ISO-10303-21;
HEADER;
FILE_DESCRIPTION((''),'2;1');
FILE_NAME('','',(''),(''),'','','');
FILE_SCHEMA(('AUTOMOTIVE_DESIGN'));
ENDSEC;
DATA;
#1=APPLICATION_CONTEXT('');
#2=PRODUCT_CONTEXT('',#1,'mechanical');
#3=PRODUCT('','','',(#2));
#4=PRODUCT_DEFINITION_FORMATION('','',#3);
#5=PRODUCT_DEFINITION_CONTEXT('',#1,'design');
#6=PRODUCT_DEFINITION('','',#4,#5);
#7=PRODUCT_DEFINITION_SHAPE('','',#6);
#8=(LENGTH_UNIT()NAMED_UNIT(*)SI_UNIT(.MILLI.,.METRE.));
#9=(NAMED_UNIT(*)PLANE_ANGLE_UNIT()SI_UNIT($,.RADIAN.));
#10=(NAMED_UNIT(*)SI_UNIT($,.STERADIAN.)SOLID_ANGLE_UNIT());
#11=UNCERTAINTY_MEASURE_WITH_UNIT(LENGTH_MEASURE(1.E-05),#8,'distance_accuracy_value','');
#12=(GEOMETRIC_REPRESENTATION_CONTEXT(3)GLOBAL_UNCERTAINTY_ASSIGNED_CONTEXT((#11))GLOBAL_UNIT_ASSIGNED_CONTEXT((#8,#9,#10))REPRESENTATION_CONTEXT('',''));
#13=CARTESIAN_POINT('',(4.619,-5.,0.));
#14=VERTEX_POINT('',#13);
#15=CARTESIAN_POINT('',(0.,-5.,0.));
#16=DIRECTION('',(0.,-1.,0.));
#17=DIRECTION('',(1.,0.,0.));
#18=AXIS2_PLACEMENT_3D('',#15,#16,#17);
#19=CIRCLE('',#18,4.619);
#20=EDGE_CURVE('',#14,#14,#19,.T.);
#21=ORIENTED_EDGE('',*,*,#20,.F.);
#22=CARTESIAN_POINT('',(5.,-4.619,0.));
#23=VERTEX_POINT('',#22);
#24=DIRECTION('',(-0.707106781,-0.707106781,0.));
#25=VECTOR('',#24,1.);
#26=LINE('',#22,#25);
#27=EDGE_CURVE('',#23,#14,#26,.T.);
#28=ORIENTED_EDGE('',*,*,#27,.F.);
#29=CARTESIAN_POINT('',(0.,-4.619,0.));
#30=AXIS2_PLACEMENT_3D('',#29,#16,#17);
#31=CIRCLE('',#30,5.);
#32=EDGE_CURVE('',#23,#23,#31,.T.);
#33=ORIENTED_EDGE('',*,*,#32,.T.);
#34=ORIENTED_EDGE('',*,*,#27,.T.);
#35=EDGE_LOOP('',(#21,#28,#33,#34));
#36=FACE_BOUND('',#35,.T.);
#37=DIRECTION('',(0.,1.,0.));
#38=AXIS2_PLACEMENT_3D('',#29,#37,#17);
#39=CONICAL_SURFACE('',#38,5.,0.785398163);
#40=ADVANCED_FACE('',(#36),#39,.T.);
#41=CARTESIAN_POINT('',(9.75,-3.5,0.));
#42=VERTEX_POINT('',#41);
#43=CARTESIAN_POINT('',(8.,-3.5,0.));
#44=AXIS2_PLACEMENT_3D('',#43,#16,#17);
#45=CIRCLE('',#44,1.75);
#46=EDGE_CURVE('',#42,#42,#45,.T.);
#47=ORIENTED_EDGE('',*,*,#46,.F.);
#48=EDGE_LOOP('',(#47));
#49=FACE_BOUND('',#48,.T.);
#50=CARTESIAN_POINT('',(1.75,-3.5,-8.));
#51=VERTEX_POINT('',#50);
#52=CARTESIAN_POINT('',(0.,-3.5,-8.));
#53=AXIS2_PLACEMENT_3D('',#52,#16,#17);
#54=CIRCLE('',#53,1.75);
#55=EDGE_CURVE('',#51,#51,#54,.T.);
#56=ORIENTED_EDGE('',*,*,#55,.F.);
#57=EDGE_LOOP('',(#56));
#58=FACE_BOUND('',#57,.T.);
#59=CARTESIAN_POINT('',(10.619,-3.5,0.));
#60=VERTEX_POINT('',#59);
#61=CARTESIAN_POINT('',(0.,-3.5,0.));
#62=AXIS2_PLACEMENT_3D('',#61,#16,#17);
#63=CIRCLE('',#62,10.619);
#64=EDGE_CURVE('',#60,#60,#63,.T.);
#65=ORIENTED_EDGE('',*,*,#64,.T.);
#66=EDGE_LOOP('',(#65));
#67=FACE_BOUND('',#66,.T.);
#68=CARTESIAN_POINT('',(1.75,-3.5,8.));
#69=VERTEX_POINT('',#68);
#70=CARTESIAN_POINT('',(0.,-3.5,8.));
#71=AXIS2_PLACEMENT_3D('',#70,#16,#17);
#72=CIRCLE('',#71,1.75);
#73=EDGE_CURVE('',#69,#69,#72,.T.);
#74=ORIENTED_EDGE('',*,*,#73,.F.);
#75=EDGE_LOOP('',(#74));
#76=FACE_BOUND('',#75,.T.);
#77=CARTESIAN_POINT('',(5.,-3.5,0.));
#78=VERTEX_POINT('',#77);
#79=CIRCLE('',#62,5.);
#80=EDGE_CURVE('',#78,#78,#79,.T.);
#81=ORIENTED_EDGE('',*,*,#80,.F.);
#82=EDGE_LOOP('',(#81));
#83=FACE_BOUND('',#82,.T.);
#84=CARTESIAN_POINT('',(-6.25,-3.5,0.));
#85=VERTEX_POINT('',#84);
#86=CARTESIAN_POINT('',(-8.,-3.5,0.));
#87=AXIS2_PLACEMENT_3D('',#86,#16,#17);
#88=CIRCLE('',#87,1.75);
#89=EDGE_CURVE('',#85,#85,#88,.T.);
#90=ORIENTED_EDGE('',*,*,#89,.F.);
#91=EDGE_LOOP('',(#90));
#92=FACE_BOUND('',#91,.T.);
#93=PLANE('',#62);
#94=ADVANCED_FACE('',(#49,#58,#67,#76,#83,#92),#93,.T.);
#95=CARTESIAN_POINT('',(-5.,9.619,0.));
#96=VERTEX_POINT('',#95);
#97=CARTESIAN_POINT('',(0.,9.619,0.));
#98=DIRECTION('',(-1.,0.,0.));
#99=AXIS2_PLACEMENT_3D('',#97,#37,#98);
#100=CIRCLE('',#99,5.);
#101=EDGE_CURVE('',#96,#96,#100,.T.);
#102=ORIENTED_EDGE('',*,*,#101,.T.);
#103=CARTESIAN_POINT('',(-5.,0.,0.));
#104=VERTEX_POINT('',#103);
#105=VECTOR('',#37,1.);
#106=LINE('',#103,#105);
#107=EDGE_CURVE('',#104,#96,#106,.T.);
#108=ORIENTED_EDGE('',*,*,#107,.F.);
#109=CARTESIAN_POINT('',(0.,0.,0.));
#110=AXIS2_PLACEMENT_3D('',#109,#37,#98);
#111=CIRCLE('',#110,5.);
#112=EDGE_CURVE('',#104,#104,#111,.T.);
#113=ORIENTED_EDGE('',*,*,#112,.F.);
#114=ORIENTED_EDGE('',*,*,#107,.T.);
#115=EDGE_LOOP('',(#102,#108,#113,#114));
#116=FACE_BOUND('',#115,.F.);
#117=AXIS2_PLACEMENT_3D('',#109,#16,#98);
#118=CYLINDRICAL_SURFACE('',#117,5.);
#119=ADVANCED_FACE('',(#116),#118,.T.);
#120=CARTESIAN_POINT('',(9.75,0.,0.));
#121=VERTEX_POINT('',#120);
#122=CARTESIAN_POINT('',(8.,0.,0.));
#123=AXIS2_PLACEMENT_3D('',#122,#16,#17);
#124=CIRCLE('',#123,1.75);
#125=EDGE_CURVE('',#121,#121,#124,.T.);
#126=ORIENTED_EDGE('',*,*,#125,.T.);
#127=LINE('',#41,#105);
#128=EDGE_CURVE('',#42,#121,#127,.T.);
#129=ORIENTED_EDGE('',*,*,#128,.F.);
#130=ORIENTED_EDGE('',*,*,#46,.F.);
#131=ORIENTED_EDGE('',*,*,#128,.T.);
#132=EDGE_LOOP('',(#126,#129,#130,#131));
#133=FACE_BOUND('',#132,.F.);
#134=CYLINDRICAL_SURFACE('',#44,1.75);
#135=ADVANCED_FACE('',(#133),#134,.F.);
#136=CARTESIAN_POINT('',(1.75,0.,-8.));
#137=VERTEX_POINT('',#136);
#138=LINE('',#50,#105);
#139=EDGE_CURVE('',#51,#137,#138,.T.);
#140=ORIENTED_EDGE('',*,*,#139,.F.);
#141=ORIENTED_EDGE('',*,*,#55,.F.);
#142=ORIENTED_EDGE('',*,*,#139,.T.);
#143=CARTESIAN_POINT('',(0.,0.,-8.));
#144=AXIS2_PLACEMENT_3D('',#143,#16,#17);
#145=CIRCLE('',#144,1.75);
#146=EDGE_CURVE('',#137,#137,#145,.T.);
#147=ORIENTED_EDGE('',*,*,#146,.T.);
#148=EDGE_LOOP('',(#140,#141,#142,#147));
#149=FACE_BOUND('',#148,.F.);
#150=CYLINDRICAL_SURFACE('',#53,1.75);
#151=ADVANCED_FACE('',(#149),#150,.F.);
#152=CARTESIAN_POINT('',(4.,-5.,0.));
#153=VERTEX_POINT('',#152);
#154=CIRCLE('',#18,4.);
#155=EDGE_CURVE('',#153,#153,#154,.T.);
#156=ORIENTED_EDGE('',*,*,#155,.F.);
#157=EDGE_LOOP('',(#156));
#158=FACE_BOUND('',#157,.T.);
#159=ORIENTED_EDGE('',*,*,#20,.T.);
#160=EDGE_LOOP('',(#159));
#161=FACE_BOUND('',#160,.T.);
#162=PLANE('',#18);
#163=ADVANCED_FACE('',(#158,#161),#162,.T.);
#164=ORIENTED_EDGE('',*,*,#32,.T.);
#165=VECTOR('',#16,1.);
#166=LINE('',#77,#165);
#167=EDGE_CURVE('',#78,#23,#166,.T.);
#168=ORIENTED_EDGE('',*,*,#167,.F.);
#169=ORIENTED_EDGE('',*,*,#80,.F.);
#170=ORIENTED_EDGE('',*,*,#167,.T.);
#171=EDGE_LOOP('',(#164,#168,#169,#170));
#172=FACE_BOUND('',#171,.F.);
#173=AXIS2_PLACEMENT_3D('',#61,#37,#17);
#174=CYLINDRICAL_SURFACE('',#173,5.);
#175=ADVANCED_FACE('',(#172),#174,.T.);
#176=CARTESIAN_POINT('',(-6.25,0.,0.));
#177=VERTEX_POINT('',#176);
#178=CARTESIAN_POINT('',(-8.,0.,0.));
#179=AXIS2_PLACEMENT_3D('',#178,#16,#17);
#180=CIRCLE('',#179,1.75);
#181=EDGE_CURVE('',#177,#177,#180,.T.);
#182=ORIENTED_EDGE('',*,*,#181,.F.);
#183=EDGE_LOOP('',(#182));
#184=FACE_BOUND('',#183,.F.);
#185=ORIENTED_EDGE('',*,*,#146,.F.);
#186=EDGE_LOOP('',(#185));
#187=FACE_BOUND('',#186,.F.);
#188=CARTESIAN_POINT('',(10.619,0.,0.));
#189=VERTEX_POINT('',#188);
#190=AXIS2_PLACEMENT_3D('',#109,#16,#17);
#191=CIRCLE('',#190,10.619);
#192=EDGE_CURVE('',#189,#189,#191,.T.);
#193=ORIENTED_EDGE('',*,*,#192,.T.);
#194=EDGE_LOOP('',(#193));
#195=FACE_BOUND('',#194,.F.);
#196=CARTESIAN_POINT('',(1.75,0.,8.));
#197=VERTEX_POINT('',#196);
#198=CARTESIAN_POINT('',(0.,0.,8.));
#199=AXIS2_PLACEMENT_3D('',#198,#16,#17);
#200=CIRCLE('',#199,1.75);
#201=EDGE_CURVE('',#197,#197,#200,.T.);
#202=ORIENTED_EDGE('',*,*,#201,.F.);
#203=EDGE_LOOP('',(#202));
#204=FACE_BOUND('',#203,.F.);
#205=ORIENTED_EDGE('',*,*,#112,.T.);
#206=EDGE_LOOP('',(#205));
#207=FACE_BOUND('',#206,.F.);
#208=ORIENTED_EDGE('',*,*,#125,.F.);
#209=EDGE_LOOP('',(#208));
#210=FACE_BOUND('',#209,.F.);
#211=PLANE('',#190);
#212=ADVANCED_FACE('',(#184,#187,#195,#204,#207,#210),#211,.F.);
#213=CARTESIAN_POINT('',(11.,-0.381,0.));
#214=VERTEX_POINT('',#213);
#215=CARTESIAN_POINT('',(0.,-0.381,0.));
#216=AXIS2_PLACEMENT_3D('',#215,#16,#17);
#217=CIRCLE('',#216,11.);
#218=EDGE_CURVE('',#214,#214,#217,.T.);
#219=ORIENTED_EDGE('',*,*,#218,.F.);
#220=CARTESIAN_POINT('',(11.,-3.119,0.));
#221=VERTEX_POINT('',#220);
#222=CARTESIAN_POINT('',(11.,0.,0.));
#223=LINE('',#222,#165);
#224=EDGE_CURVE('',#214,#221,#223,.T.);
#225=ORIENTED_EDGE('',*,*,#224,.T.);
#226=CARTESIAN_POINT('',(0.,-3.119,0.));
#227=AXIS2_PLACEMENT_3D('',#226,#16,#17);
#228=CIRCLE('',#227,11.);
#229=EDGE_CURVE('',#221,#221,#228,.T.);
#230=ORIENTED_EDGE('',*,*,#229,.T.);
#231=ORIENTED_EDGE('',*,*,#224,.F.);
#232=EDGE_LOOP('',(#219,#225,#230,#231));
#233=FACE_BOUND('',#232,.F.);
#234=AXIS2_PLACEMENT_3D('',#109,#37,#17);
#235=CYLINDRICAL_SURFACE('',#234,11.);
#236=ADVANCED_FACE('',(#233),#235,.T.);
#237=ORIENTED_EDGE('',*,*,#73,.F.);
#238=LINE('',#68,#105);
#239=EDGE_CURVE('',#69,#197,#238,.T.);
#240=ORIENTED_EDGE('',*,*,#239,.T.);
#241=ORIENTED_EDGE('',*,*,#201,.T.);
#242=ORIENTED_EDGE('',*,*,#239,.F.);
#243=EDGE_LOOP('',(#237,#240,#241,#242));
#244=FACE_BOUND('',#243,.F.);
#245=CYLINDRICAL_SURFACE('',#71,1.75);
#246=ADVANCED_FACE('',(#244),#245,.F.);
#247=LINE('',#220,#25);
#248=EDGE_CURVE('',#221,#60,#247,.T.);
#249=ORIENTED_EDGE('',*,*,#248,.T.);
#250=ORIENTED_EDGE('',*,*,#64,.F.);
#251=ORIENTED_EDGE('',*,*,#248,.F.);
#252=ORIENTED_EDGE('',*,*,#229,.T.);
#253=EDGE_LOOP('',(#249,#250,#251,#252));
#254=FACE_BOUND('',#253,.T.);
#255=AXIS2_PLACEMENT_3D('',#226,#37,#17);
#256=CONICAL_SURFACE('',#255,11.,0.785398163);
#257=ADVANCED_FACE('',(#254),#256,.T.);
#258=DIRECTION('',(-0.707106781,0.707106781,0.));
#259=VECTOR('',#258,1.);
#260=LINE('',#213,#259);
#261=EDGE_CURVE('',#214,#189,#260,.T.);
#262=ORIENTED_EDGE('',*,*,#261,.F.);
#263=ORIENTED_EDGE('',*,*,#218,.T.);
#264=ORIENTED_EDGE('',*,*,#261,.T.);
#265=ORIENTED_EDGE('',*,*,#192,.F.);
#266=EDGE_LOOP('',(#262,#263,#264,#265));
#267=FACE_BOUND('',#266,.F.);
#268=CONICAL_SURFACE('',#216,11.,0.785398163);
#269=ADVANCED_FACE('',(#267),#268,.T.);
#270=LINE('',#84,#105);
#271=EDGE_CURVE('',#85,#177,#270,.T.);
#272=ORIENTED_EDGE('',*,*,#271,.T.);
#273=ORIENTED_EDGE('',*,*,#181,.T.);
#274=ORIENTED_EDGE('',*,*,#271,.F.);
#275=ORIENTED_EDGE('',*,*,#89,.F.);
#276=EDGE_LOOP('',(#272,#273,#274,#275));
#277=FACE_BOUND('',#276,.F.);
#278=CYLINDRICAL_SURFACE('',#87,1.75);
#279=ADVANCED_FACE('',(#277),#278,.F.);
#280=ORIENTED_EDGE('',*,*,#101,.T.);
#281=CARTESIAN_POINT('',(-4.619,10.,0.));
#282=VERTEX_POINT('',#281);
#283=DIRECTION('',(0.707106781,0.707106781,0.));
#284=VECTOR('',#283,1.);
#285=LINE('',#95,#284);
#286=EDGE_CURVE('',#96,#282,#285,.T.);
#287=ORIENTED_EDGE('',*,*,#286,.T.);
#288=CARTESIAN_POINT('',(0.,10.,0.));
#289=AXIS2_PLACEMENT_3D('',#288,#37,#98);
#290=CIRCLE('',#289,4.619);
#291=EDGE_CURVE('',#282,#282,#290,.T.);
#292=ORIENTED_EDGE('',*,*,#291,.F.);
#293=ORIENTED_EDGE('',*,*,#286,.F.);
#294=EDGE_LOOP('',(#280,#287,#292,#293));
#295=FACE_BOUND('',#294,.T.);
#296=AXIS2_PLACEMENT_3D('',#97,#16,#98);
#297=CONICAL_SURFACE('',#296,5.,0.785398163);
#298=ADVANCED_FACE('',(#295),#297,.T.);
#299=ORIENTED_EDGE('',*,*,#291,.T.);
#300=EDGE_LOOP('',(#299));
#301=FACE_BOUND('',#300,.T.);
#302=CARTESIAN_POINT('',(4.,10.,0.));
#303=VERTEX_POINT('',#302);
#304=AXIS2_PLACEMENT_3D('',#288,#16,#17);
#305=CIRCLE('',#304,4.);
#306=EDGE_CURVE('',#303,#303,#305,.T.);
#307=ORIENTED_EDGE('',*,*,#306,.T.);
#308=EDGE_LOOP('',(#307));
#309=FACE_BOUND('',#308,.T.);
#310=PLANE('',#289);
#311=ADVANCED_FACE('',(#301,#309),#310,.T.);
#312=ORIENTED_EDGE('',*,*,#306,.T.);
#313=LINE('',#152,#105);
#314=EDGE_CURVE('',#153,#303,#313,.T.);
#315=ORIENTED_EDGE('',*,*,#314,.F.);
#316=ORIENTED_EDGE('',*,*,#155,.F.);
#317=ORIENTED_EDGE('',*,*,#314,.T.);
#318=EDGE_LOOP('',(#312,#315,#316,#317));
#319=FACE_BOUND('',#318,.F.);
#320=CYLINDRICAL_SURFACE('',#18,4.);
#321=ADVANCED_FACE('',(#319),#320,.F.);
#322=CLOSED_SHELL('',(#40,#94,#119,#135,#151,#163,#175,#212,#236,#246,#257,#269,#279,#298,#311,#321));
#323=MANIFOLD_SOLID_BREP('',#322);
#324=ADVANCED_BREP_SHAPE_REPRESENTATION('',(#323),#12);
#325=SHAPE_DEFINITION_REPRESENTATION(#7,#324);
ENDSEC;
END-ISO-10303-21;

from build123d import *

# Parameters (mm, degrees)
F0_R     = 11
F1_DEPTH = 3.5
F2_R     = 5
F3_DEPTH = 1.5
F4_R     = 5
F5_DEPTH = 10
F6_R     = 4
F7_DEPTH = 25.4
F8_R     = 1.75
F9_DEPTH = 25.4
F10_SIZE = 0.381
F11_SIZE = 0.381


with BuildPart() as f1:
    # F0 (on Front) → F1 (new body)
    with BuildSketch(Plane.XZ):
        Circle(F0_R)
    extrude(amount=F1_DEPTH)

    # F2 (on face) → F3 (join)
    with BuildSketch(Plane.XZ.offset(3.5)):
        Circle(F2_R)
    extrude(amount=F3_DEPTH)

    # F4 (on face) → F5 (join)
    with BuildSketch(Plane(origin=(0, 0, 0), x_dir=(-1, 0, 0), z_dir=(0, 1, 0))):
        Circle(F4_R)
    extrude(amount=F5_DEPTH)

    # F6 (on face) → F7 (cut)
    with BuildSketch(Plane.XZ.offset(5)):
        Circle(F6_R)
    extrude(amount=-F7_DEPTH, mode=Mode.SUBTRACT)

    # F8 (on face) → F9 (cut)
    with BuildSketch(Plane.XZ.offset(3.5)):
        with Locations((-8, 0)):
            Circle(F8_R)
        with Locations((8, 0)):
            Circle(F8_R)
        with Locations((0, 8)):
            Circle(F8_R)
        with Locations((0, -8)):
            Circle(F8_R)
    extrude(amount=-F9_DEPTH, mode=Mode.SUBTRACT)

    # F10
    f10_edges = [f1.edges().sort_by_distance(p)[0] for p in [
        (11, -1.75, 0),
        (-11, 0, 0),
        (-11, -3.5, 0),
    ]]
    chamfer(f10_edges, length=F10_SIZE)

    # F11
    f11_edges = [f1.edges().sort_by_distance(p)[0] for p in [
        (5, 10, 0),
        (-5, -5, 0),
    ]]
    chamfer(f11_edges, length=F11_SIZE)


solid = f1.part
